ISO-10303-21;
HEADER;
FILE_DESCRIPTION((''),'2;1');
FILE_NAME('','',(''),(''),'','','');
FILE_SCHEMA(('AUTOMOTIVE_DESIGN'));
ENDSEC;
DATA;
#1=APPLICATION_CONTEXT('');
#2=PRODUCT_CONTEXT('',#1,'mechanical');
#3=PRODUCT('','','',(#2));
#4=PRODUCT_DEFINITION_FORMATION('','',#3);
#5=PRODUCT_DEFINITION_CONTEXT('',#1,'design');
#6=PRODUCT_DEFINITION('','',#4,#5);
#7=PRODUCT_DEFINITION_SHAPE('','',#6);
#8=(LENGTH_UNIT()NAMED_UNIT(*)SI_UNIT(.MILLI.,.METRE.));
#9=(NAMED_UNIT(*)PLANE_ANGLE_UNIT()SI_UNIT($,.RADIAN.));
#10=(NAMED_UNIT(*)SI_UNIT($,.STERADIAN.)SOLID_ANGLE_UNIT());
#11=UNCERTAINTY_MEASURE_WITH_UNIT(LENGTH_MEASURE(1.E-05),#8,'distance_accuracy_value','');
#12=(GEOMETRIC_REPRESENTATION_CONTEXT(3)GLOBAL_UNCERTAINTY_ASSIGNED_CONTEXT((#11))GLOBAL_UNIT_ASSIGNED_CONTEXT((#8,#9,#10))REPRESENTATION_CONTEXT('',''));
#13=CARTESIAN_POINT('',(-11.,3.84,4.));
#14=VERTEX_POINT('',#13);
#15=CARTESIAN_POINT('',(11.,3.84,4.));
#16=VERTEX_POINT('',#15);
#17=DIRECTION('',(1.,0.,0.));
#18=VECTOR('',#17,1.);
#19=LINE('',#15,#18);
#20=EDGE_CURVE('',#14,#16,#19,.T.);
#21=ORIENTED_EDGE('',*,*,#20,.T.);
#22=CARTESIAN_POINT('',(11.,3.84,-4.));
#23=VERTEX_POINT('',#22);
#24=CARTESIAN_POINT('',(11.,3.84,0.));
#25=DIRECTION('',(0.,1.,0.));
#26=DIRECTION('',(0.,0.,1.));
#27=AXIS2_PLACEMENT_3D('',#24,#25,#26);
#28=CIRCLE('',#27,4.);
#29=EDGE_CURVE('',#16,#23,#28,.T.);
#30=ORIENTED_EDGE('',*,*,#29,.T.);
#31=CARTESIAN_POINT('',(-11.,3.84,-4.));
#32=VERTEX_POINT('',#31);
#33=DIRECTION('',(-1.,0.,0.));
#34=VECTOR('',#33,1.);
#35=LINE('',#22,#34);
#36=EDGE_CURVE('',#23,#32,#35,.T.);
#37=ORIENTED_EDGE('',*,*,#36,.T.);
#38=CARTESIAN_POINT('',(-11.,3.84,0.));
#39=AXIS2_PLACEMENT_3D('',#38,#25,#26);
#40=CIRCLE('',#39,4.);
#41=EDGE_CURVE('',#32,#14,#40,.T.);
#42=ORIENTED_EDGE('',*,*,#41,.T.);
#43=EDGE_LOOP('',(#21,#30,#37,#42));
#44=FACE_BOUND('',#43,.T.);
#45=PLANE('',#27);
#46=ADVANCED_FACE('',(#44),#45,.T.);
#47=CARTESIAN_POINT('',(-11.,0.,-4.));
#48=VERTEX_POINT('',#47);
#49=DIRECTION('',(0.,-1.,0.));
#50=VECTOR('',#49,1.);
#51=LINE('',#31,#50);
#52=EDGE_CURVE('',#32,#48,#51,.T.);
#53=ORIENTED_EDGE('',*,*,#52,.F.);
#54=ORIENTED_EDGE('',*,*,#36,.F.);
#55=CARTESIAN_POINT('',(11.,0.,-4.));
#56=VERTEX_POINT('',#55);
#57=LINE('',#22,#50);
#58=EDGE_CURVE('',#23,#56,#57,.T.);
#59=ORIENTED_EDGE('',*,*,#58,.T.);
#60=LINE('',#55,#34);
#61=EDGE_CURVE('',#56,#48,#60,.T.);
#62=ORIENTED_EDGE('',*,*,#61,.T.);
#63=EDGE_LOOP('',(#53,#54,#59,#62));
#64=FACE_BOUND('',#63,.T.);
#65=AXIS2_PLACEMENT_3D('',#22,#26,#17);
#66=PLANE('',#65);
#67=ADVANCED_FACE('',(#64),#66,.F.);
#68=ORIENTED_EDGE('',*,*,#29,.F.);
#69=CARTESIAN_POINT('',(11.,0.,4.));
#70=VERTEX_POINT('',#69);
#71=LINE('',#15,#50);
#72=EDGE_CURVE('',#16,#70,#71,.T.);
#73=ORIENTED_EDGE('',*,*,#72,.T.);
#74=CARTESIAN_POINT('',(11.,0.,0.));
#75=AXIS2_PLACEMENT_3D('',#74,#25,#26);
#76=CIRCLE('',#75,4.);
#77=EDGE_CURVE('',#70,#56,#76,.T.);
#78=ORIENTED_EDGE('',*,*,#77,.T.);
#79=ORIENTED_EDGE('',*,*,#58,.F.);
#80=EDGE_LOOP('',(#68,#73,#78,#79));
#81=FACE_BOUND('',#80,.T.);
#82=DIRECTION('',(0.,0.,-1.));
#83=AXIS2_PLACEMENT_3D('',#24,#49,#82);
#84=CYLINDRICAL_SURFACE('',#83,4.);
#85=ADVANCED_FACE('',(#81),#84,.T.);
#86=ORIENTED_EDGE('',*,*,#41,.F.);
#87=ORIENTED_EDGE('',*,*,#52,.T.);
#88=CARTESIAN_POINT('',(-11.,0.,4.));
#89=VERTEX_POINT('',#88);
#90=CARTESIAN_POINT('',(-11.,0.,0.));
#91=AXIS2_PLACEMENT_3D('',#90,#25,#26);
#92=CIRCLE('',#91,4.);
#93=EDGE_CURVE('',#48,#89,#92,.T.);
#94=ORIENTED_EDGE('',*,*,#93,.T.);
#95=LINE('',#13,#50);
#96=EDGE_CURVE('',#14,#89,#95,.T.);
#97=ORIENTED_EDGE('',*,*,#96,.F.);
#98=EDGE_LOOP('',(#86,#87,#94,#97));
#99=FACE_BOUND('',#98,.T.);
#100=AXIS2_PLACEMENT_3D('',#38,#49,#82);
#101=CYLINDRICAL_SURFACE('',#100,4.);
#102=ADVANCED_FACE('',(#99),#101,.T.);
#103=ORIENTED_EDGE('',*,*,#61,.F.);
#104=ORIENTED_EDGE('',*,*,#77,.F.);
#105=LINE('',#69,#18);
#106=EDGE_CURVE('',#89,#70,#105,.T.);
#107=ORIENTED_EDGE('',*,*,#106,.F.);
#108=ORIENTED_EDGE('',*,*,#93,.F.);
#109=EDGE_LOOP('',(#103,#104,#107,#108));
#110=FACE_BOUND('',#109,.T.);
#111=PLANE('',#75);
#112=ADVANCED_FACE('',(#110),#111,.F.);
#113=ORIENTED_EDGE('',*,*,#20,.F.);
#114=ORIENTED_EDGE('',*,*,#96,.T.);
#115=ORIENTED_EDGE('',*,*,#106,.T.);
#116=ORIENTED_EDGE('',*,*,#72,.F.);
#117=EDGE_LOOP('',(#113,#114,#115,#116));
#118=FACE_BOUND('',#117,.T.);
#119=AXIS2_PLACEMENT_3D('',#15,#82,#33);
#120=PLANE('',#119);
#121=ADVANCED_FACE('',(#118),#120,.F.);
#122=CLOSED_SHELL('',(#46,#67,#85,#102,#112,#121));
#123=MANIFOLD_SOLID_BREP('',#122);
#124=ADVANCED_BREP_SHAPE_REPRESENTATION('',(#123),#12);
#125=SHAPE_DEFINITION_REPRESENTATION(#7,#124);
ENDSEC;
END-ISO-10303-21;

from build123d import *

# Parameters (mm, degrees)
BOSS_EXTRUDE1_DEPTH = 3.84


with BuildPart() as part:
    # Sketch1 → Boss-Extrude1 (new body)
    with BuildSketch(Plane(origin=(0, 0, 0), x_dir=(1, 0, 0), z_dir=(0, 1, 0))):
        with BuildLine():
            Line((11, -4), (-11, -4))
            ThreePointArc((-11, -4), (-15, 0), (-11, 4))
            Line((-11, 4), (11, 4))
            ThreePointArc((11, 4), (15, 0), (11, -4))
        make_face()
    extrude(amount=BOSS_EXTRUDE1_DEPTH)


solid = part.part
